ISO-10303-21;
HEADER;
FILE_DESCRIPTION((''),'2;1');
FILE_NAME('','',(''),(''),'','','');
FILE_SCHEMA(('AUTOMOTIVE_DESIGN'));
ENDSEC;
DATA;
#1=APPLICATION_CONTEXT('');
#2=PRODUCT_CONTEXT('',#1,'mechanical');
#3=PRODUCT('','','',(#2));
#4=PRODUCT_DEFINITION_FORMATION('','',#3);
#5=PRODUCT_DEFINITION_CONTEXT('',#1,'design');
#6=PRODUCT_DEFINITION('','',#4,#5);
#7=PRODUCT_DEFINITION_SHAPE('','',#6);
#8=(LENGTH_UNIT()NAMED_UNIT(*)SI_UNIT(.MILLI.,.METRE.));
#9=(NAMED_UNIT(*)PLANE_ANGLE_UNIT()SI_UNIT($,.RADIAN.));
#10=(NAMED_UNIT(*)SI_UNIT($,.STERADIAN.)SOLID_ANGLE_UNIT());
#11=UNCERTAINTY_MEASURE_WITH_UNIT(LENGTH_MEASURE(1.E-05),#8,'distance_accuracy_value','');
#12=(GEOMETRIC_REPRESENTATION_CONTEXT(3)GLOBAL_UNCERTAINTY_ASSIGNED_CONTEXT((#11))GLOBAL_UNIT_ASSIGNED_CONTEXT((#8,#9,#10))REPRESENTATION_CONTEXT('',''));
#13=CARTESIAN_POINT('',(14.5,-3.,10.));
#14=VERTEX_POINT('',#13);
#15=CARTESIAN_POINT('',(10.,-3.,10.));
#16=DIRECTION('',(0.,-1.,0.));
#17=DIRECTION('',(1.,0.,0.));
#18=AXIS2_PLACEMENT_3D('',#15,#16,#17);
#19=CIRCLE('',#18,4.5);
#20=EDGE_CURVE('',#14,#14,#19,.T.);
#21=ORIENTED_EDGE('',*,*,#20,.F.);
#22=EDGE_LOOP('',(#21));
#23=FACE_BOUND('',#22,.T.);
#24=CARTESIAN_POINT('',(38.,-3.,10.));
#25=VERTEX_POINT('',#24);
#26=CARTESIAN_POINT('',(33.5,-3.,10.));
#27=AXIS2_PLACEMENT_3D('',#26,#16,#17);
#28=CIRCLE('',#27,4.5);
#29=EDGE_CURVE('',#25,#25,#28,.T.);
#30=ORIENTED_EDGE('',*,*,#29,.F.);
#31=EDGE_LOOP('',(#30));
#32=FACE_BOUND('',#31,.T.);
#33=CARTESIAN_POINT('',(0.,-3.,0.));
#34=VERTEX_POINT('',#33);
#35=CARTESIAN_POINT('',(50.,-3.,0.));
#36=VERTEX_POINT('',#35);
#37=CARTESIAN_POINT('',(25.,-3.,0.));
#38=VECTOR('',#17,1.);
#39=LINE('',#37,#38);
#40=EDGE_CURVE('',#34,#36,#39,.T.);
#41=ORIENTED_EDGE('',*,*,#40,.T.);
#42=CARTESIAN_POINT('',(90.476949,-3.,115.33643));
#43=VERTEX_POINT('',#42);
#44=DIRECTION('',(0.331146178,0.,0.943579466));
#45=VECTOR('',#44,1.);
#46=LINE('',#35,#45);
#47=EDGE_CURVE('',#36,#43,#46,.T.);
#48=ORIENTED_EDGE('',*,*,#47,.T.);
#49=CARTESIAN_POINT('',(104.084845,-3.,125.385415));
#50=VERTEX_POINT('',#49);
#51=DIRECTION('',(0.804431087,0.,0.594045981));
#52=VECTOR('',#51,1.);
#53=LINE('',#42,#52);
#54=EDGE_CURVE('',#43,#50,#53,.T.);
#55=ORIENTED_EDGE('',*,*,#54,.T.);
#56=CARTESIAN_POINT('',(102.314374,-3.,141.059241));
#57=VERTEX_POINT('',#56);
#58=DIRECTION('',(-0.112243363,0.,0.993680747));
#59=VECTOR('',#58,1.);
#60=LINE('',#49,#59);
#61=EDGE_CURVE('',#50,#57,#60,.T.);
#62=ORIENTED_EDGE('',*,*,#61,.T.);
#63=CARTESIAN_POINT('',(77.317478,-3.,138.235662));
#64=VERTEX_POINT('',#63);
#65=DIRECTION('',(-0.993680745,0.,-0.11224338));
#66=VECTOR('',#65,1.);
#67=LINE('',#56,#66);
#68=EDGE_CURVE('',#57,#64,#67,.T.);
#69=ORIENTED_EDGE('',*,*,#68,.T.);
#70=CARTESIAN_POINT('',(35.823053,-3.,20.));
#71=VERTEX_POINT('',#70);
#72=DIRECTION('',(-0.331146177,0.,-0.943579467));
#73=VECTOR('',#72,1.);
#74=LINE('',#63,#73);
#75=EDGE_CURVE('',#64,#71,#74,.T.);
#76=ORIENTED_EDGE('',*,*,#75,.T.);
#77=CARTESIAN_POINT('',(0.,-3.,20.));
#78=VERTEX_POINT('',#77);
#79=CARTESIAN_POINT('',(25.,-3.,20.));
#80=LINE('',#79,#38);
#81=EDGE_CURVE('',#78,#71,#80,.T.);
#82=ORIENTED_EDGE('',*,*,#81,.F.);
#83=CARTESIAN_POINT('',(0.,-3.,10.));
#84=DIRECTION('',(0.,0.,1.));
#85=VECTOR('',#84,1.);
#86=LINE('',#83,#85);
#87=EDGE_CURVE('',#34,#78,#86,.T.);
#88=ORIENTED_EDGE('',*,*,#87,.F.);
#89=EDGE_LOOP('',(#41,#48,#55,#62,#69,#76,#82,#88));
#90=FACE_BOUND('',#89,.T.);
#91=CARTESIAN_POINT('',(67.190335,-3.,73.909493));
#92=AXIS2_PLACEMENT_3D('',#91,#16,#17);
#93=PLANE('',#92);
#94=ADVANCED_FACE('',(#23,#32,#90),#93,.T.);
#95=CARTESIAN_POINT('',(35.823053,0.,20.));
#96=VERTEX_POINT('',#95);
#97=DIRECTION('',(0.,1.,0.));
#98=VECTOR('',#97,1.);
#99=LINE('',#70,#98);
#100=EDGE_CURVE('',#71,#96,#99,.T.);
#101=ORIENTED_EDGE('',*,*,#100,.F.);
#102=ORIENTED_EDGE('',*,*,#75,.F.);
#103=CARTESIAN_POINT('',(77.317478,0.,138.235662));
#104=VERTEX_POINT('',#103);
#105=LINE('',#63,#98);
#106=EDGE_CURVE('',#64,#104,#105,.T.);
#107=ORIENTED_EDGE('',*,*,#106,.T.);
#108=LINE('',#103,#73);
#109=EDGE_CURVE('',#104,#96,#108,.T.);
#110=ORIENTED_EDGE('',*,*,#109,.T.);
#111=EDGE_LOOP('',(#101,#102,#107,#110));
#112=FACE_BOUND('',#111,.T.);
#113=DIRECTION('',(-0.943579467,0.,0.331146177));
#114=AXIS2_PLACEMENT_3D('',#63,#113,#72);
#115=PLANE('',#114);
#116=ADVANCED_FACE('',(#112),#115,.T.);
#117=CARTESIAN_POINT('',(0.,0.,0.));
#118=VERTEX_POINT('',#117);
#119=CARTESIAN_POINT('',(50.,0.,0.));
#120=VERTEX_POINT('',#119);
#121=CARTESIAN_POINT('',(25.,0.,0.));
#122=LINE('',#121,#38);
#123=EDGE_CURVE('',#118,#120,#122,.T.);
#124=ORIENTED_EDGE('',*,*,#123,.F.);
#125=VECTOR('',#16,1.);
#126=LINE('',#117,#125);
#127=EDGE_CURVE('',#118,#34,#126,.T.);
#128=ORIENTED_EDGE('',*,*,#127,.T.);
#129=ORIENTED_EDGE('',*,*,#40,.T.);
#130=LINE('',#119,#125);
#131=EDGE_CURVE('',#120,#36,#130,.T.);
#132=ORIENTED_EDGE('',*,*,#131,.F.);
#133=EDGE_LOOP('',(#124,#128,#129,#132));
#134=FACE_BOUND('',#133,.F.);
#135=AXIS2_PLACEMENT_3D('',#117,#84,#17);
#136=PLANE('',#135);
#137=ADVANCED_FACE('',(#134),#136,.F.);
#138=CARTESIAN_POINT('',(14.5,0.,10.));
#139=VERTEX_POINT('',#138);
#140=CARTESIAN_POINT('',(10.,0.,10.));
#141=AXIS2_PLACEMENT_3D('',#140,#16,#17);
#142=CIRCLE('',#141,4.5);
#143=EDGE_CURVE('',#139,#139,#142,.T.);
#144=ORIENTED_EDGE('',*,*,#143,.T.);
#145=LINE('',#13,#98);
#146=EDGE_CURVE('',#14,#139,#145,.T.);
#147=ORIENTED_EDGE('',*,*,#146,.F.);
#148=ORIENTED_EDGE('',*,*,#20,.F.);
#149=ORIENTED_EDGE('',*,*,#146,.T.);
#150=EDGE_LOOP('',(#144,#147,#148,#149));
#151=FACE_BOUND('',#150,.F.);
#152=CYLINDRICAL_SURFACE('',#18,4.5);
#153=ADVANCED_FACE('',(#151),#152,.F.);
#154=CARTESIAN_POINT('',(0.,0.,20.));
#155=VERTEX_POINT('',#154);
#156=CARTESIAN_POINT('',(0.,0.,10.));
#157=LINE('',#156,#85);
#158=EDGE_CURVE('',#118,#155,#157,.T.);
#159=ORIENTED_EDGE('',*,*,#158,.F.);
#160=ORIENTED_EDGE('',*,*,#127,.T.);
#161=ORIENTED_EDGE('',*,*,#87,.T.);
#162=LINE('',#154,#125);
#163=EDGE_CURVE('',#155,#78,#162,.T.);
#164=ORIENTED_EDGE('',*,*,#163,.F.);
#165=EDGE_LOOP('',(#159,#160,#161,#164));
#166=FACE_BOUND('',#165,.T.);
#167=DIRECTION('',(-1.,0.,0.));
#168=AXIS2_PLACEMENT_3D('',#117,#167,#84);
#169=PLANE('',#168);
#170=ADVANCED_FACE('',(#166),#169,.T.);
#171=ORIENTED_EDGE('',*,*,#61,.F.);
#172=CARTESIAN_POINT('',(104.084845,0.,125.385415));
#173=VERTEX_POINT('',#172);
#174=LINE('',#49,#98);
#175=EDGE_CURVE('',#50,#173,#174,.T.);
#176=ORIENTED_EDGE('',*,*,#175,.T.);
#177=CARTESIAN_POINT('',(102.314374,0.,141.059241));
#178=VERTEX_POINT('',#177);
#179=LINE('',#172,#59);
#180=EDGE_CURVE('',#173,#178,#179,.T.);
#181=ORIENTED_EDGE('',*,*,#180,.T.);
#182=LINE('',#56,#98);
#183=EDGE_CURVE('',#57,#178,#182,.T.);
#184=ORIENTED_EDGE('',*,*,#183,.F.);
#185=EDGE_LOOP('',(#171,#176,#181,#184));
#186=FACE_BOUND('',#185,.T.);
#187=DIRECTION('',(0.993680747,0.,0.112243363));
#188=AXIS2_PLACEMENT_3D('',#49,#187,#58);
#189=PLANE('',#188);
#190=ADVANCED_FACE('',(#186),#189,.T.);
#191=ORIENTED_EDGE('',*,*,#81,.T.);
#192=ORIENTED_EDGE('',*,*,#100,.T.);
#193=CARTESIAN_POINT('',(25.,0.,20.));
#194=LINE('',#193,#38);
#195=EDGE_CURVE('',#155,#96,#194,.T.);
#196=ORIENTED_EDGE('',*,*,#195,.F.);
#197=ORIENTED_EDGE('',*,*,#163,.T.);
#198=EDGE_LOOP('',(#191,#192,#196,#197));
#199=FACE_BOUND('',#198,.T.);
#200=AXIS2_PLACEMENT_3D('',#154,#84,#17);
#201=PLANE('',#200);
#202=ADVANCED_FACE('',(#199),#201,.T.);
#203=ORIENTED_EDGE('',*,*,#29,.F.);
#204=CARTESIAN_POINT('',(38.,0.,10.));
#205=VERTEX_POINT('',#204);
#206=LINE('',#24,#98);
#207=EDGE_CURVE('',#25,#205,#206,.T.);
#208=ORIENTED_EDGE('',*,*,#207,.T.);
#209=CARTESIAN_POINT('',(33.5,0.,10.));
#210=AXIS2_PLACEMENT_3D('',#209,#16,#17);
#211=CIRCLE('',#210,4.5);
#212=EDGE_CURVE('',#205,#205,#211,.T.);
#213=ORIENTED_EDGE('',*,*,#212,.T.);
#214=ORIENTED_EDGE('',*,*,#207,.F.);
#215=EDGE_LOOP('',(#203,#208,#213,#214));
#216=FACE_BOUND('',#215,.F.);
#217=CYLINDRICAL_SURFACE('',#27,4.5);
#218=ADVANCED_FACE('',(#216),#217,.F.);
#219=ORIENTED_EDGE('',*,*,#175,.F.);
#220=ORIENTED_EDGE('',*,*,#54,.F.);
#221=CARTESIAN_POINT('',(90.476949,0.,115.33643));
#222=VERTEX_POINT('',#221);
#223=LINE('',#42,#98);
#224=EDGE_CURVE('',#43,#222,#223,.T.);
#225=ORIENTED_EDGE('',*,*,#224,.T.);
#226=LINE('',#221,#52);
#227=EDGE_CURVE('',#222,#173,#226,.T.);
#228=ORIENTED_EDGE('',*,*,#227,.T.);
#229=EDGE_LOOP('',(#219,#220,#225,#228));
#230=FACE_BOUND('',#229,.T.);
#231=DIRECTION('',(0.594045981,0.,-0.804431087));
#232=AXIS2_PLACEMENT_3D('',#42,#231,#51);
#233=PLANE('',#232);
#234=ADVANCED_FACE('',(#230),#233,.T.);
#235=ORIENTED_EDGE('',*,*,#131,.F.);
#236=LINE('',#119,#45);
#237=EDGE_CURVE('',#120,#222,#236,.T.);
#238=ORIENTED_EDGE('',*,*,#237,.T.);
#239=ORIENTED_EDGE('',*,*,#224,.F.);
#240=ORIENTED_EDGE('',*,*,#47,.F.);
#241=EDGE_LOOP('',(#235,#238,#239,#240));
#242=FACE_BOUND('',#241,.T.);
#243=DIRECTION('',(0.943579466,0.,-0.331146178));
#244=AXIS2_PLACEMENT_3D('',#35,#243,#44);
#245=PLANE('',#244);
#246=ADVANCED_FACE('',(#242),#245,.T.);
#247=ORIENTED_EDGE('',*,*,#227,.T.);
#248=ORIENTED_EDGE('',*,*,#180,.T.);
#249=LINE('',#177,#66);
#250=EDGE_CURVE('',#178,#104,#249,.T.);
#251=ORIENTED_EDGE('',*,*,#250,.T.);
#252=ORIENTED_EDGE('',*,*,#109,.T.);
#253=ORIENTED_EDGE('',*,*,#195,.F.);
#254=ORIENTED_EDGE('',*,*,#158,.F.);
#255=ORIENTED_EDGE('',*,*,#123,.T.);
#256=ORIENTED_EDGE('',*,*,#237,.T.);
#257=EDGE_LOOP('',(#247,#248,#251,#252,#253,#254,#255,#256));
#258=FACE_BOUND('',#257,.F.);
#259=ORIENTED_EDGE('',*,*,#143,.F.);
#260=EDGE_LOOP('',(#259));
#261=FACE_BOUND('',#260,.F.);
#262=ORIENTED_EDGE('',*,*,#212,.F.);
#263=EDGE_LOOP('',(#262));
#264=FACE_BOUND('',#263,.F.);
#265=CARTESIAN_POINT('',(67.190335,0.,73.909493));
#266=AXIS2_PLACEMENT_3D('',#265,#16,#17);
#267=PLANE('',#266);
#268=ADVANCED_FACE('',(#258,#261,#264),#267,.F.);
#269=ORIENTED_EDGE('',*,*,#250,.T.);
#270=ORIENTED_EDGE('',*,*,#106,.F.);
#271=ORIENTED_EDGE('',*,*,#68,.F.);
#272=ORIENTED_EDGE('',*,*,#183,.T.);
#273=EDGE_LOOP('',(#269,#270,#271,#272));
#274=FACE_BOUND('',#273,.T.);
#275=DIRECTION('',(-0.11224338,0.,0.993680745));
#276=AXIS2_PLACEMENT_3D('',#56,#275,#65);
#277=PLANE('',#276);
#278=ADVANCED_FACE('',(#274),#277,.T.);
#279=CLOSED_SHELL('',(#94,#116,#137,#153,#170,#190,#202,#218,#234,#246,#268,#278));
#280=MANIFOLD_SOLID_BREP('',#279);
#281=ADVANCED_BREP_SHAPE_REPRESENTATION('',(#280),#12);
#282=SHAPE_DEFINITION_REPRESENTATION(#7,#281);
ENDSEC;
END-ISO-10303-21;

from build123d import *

# Parameters (mm, degrees)
F0_W     = 50
F0_H     = 20
F1_DEPTH = 3
F2_R     = 4.5
F3_DEPTH = 3.001
F5_DEPTH = 3


with BuildPart() as f1:
    # F0 (on Front) → F1 (new body)
    with BuildSketch(Plane.XZ):
        with Locations((25, 10)):
            Rectangle(F0_W, F0_H)
    extrude(amount=F1_DEPTH)

    # F2 (on face) → F3 (cut, through all)
    with BuildSketch(Plane.XZ.offset(3)):
        with Locations((10, 10)):
            Circle(F2_R)
        with Locations((33.5, 10)):
            Circle(F2_R)
    extrude(amount=-F3_DEPTH, mode=Mode.SUBTRACT)

    # F4 (on face) → F5 (join, through all)
    with BuildSketch(Plane.XZ.offset(3)):
        Polygon((50, 20), (50, 0), (90.476949, 115.33643), (104.084845, 125.385415), (102.314374, 141.059241), (77.317478, 138.235662), (35.823053, 20), align=None)
    extrude(amount=-F5_DEPTH)


solid = f1.part
